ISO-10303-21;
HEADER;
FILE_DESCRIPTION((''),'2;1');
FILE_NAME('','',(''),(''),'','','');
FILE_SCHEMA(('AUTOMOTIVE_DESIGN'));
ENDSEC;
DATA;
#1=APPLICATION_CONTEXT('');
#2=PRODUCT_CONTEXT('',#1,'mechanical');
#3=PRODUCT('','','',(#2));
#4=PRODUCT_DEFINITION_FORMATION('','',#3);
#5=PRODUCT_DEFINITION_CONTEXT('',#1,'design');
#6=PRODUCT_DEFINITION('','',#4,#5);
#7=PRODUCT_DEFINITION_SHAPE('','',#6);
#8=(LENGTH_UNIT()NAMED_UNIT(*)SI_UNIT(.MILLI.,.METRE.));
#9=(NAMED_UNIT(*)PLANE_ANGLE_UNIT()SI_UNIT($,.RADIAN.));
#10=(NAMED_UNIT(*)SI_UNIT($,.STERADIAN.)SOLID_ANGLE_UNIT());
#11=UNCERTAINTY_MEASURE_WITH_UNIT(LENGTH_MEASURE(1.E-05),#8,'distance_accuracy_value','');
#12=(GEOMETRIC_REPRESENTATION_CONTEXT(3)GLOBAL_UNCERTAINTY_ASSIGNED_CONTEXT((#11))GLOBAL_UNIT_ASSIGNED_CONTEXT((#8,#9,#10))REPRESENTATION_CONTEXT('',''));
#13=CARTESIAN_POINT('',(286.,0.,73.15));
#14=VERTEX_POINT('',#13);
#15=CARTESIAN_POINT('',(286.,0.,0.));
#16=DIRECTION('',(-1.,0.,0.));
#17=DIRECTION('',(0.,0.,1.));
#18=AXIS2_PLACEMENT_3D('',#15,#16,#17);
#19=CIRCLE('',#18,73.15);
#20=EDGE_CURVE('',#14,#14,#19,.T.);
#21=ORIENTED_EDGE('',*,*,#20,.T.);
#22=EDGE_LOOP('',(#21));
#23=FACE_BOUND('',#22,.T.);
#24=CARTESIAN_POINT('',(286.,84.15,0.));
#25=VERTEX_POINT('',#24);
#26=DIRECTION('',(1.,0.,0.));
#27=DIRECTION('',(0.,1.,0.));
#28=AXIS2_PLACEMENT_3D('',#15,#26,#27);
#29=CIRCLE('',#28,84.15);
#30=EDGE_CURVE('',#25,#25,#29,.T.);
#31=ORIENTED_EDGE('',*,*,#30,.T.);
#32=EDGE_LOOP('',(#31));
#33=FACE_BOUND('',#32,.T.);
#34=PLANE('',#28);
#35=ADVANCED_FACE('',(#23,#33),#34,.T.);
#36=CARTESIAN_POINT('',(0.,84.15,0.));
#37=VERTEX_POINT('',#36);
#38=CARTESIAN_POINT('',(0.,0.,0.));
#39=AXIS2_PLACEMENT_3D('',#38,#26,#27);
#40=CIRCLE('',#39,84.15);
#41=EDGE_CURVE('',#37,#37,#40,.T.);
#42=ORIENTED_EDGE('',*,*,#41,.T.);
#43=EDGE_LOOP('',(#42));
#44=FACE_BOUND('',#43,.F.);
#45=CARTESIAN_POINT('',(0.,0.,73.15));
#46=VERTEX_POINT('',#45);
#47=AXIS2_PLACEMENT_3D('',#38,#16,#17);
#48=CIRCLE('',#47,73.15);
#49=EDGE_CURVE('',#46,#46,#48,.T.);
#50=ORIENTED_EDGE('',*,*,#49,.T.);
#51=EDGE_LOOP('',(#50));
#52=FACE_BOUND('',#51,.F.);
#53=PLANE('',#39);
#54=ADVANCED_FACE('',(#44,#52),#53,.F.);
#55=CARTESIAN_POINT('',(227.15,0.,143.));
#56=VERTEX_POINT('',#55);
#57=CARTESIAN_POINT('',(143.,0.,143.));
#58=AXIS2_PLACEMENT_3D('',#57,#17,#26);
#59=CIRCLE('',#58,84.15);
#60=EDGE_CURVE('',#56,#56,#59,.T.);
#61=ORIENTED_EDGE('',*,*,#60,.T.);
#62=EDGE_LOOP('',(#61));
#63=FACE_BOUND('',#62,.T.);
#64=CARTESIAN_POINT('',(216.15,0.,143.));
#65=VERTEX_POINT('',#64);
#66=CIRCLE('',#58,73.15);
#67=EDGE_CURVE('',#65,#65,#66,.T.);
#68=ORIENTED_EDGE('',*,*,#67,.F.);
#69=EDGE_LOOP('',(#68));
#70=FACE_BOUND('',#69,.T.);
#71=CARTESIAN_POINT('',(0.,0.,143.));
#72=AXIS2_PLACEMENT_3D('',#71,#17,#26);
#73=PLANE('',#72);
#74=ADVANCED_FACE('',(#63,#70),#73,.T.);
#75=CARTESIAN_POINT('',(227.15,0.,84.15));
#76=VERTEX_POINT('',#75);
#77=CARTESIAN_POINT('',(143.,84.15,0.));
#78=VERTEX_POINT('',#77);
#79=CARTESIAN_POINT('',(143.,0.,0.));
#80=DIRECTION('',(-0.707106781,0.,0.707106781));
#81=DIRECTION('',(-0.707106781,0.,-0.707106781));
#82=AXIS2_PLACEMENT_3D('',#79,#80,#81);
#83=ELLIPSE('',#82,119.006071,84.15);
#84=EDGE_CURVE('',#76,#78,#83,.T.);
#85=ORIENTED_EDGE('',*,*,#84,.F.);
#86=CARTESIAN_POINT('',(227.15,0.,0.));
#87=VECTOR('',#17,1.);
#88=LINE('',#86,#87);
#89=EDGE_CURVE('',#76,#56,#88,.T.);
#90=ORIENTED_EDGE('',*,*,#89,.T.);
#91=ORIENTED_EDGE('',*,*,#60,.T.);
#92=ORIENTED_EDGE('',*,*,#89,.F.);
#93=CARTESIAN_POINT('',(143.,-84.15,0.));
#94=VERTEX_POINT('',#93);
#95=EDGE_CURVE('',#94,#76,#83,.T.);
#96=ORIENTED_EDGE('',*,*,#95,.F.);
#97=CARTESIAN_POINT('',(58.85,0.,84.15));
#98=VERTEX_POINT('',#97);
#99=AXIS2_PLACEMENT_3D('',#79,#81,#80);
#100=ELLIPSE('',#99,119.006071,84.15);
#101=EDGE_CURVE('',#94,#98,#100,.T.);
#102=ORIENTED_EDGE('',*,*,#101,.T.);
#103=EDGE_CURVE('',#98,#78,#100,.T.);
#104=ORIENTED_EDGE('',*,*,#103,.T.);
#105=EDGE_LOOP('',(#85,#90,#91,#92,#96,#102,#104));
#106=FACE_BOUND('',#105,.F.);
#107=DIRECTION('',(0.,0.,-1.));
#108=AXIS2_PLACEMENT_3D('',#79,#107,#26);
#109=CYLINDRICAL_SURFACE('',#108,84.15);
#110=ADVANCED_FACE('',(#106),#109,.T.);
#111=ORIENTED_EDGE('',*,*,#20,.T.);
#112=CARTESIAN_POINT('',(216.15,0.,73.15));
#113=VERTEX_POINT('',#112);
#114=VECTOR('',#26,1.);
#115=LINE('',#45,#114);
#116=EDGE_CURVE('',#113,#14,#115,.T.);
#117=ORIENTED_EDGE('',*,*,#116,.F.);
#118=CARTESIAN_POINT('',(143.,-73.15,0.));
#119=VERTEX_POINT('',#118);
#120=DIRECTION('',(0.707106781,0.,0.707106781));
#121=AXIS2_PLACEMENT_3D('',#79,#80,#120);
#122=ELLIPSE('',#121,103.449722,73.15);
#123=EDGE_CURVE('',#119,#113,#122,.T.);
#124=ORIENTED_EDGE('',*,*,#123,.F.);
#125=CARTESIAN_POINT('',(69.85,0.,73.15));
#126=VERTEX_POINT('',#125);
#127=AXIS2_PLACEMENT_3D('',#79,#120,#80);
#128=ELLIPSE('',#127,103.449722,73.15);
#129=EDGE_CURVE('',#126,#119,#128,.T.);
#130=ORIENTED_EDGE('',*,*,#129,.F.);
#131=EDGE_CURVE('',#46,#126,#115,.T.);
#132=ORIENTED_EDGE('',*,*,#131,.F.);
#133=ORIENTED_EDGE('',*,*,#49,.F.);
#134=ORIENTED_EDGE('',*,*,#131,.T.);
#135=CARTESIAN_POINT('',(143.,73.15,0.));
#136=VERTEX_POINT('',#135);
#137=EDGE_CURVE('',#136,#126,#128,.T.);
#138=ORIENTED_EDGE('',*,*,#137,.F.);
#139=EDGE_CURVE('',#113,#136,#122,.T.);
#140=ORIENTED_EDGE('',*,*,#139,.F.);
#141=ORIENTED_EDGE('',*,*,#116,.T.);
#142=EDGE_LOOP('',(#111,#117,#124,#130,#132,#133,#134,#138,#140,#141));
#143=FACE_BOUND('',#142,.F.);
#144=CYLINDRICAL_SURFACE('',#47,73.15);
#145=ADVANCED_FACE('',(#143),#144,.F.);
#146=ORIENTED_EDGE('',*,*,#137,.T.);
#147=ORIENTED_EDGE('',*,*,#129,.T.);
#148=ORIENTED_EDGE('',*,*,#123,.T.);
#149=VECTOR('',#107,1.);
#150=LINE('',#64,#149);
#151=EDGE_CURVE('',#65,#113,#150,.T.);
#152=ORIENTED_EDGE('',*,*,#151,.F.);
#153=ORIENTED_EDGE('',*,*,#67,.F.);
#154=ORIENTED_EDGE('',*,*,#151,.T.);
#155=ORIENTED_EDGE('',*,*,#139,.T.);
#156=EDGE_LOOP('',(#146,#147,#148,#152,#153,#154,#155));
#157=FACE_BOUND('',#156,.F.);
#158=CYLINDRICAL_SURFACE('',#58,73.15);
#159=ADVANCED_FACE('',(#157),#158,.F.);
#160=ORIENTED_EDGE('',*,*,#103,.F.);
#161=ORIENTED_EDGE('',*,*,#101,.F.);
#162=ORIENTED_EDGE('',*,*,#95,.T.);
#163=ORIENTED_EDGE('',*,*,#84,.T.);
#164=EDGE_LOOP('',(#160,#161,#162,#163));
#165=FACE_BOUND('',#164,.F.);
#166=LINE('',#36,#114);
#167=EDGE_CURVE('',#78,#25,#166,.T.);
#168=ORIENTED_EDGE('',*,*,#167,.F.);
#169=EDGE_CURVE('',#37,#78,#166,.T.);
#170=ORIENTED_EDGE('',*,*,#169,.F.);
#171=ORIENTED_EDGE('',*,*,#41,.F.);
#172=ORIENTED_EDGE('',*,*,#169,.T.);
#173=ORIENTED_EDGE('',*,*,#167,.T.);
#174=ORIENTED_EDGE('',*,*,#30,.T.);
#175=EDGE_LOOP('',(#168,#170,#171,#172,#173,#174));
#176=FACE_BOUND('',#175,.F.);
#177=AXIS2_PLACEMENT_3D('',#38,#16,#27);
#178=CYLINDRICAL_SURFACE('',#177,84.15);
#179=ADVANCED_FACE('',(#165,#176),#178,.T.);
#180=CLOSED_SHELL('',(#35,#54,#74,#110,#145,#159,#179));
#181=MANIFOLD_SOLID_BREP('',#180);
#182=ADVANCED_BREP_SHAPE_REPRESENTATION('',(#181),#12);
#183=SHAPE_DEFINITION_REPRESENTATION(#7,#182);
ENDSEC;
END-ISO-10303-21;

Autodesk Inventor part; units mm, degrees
ref_plane "YZ Plane" through (0, 0, 0) normal (1, 0, 0) x (0, 1, 0)
ref_plane "XZ Plane" through (0, 0, 0) normal (0, 1, 0) x (-1, 0, 0)
ref_plane "XY Plane" through (0, 0, 0) normal (0, 0, 1) x (1, 0, 0)
sketch "Sketch1" plane through (0, 0, 0) normal (1, 0, 0) x (0, 1, 0)
  circle A0 centre (0, 0) radius 84.15
  dimension "d0" = 168.3
extrude "Extrude1" add sketch "Sketch1" along normal blind 286
sketch "Sketch2" plane through (0, 0, 0) normal (0, 0, 1) x (1, 0, 0)
  line L0 (0, 84.15) -> (0, -84.15) projected
  line L1 (286, 84.15) -> (286, -84.15) projected
  line L2 (0, 0) -> (286, 0) construction
  circle A0 centre (143, 0) radius 84.15
  dimension "d3" = 168.3
extrude "Extrude2" add sketch "Sketch2" along normal blind 143
sketch "Sketch3" plane through (0, 0, 0) normal (-1, 0, 0) x (0, 0, 1)
  circle A0 centre (0, 0) radius 84.15 projected
  circle A1 centre (0, 0) radius 73.15
  dimension "d6" = 146.3
extrude "Extrude3" cut sketch "Sketch3" against normal through all contours A1
sketch "Sketch4" plane through (143, 0, 143) normal (0, 0, 1) x (1, 0, 0)
  circle A0 centre (0, 0) radius 84.15 projected
  circle A1 centre (0, 0) radius 73.15
  dimension "d9" = 146.3
extrude "Extrude4" cut sketch "Sketch4" against normal up to next contours A1
equation "\"d0\" = d"
equation "\"d1\" = 2 * a"
equation "\"d3\" = d"
equation "\"d4\" = a"
equation "\"d6\" = d - 2 * s1"
equation "\"d7\" = a"
equation "\"d9\" = d - 2 * s1"
equation "\"d10\" = a"
equation "\"d\" = 168.3"
equation "\"s1\" = 11"
equation "\"a\" = 143"
equation "\"Size_Designation\" = 1.2345"
properties part number "DIN 2615-1 Tee 168.3 x 11 S" material "Steel"
